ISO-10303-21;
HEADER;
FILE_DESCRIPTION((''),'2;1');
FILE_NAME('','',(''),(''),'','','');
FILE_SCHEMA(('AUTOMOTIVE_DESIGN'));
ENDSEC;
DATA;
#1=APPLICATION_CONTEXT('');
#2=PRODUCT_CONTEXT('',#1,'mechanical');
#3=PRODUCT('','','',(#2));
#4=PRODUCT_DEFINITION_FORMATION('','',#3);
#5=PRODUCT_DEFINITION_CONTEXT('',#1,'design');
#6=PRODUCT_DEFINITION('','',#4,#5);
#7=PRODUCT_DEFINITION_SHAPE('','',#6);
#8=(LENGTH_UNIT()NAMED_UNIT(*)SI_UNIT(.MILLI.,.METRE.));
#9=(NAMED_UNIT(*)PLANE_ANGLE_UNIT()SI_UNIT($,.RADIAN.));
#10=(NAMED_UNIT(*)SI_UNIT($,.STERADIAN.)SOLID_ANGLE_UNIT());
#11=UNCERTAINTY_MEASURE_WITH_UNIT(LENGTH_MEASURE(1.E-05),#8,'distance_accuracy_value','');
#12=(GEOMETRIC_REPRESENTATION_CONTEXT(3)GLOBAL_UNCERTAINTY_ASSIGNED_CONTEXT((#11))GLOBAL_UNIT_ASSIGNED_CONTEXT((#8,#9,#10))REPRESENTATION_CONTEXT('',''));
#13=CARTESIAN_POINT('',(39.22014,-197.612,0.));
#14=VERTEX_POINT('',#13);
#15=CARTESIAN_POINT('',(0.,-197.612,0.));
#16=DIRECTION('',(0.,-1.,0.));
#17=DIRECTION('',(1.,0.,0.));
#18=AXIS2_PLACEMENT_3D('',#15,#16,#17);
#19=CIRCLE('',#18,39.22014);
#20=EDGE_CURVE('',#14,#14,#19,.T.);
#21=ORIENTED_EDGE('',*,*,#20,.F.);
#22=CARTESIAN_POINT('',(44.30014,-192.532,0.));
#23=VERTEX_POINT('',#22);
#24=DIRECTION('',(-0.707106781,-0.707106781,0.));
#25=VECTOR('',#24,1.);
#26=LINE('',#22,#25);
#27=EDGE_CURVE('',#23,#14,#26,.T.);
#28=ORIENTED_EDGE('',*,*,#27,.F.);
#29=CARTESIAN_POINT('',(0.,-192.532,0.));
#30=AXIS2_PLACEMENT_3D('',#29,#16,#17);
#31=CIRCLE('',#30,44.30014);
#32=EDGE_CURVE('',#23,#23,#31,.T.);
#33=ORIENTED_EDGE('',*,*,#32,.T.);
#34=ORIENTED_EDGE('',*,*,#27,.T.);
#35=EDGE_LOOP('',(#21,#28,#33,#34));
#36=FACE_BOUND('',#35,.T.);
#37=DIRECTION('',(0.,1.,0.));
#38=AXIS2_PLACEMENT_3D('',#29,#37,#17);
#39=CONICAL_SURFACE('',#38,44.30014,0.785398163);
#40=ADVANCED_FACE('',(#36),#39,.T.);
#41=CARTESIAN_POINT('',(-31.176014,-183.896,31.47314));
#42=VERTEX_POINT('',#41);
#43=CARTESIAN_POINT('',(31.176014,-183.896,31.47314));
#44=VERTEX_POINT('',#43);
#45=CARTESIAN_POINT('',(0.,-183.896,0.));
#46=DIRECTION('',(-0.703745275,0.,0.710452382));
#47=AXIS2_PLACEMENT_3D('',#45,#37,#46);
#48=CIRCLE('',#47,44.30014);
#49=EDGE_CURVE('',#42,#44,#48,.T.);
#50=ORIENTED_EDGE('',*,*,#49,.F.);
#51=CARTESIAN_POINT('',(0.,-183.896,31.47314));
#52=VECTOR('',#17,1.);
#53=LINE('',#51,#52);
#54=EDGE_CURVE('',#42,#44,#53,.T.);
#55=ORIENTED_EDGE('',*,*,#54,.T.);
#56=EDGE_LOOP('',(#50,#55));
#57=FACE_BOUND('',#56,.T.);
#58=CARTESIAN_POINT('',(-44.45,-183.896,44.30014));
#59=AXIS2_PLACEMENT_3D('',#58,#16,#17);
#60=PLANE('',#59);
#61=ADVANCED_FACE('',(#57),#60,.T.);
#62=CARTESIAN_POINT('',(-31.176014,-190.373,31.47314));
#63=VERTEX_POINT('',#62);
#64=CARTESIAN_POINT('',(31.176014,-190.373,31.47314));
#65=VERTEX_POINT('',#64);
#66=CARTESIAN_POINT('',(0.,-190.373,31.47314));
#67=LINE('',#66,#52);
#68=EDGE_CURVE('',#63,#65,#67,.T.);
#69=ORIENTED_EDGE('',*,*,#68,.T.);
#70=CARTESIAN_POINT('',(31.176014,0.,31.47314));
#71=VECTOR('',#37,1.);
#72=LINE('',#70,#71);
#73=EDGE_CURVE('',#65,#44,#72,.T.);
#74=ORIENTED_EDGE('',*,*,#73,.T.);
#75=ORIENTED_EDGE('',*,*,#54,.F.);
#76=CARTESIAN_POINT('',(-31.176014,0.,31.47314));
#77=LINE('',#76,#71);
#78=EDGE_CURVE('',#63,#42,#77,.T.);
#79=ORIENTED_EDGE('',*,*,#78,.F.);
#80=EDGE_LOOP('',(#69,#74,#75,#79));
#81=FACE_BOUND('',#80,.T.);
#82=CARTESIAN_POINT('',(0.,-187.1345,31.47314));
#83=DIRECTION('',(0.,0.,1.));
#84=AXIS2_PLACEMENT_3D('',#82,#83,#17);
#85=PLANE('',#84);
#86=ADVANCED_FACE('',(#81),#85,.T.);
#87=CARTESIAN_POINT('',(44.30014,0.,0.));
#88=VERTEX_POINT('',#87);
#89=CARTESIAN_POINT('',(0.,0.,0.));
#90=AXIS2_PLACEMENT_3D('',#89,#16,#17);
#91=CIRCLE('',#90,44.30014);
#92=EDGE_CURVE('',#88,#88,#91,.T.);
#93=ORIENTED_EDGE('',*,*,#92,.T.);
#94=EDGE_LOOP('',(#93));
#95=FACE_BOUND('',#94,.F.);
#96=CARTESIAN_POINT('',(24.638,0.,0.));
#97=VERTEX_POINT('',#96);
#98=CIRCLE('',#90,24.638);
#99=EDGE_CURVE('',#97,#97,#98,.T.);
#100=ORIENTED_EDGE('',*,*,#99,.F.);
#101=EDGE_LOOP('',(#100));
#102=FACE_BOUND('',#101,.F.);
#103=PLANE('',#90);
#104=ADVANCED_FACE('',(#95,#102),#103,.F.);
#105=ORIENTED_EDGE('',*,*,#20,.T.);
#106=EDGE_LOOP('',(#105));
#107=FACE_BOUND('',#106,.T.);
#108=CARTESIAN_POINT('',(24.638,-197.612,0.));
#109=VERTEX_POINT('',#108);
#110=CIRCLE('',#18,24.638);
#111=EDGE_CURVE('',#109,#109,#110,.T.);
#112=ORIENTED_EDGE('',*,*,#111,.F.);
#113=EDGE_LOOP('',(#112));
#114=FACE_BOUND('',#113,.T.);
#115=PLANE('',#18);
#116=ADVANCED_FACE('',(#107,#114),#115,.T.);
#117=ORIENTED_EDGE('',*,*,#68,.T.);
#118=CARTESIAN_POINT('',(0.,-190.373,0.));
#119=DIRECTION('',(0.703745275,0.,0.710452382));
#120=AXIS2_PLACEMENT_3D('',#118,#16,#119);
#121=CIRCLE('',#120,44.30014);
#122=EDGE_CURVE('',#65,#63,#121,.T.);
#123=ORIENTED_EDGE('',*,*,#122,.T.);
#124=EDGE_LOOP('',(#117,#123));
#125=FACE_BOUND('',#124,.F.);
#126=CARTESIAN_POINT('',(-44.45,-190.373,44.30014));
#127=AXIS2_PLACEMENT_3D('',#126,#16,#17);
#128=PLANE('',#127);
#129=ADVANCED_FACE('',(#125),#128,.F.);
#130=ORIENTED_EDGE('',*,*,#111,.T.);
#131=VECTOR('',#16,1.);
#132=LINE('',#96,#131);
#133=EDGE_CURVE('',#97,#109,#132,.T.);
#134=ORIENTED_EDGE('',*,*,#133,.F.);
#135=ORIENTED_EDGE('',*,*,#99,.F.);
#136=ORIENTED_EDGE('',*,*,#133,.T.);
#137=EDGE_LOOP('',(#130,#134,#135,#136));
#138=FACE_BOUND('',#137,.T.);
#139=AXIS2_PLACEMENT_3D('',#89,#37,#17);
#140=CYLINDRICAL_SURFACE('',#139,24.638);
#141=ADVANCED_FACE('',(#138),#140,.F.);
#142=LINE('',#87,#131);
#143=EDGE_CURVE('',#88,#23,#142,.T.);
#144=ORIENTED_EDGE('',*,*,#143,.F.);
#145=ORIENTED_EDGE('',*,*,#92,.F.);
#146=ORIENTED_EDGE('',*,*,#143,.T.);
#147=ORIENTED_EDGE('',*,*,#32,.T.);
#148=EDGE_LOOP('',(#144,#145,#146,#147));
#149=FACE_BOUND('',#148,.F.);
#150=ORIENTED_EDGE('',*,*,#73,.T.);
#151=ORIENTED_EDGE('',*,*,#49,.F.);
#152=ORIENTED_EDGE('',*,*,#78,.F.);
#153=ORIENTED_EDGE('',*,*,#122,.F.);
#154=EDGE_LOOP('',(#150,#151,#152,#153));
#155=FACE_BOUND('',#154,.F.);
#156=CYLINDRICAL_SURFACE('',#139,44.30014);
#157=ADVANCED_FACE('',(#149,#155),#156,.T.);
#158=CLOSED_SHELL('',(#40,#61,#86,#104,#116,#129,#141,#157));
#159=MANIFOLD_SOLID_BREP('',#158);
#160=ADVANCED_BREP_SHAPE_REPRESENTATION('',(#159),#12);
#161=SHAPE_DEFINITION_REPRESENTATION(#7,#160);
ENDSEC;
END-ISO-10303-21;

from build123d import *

# Parameters (mm, degrees)
F0_R     = 44.30014
F0_R_2   = 24.638
F1_DEPTH = 197.612
F3_W     = 88.9
F3_H     = 6.477
F4_DEPTH = 12.827
F5_SIZE  = 5.08


with BuildPart() as f1:
    # F0 (on Front) → F1 (new body)
    with BuildSketch(Plane.XZ):
        Circle(F0_R)
        Circle(F0_R_2, mode=Mode.SUBTRACT)
    extrude(amount=F1_DEPTH)

    # F3 (on offset) → F4 (cut)
    with BuildSketch(Plane.XY.offset(44.30014)):
        with Locations((0, -187.1345)):
            Rectangle(F3_W, F3_H)
    extrude(amount=-F4_DEPTH, mode=Mode.SUBTRACT)

    # F5
    f5_edges = [f1.edges().sort_by_distance(p)[0] for p in [
        (-44.30014, -197.612, 0),
    ]]
    chamfer(f5_edges, length=F5_SIZE)


solid = f1.part
